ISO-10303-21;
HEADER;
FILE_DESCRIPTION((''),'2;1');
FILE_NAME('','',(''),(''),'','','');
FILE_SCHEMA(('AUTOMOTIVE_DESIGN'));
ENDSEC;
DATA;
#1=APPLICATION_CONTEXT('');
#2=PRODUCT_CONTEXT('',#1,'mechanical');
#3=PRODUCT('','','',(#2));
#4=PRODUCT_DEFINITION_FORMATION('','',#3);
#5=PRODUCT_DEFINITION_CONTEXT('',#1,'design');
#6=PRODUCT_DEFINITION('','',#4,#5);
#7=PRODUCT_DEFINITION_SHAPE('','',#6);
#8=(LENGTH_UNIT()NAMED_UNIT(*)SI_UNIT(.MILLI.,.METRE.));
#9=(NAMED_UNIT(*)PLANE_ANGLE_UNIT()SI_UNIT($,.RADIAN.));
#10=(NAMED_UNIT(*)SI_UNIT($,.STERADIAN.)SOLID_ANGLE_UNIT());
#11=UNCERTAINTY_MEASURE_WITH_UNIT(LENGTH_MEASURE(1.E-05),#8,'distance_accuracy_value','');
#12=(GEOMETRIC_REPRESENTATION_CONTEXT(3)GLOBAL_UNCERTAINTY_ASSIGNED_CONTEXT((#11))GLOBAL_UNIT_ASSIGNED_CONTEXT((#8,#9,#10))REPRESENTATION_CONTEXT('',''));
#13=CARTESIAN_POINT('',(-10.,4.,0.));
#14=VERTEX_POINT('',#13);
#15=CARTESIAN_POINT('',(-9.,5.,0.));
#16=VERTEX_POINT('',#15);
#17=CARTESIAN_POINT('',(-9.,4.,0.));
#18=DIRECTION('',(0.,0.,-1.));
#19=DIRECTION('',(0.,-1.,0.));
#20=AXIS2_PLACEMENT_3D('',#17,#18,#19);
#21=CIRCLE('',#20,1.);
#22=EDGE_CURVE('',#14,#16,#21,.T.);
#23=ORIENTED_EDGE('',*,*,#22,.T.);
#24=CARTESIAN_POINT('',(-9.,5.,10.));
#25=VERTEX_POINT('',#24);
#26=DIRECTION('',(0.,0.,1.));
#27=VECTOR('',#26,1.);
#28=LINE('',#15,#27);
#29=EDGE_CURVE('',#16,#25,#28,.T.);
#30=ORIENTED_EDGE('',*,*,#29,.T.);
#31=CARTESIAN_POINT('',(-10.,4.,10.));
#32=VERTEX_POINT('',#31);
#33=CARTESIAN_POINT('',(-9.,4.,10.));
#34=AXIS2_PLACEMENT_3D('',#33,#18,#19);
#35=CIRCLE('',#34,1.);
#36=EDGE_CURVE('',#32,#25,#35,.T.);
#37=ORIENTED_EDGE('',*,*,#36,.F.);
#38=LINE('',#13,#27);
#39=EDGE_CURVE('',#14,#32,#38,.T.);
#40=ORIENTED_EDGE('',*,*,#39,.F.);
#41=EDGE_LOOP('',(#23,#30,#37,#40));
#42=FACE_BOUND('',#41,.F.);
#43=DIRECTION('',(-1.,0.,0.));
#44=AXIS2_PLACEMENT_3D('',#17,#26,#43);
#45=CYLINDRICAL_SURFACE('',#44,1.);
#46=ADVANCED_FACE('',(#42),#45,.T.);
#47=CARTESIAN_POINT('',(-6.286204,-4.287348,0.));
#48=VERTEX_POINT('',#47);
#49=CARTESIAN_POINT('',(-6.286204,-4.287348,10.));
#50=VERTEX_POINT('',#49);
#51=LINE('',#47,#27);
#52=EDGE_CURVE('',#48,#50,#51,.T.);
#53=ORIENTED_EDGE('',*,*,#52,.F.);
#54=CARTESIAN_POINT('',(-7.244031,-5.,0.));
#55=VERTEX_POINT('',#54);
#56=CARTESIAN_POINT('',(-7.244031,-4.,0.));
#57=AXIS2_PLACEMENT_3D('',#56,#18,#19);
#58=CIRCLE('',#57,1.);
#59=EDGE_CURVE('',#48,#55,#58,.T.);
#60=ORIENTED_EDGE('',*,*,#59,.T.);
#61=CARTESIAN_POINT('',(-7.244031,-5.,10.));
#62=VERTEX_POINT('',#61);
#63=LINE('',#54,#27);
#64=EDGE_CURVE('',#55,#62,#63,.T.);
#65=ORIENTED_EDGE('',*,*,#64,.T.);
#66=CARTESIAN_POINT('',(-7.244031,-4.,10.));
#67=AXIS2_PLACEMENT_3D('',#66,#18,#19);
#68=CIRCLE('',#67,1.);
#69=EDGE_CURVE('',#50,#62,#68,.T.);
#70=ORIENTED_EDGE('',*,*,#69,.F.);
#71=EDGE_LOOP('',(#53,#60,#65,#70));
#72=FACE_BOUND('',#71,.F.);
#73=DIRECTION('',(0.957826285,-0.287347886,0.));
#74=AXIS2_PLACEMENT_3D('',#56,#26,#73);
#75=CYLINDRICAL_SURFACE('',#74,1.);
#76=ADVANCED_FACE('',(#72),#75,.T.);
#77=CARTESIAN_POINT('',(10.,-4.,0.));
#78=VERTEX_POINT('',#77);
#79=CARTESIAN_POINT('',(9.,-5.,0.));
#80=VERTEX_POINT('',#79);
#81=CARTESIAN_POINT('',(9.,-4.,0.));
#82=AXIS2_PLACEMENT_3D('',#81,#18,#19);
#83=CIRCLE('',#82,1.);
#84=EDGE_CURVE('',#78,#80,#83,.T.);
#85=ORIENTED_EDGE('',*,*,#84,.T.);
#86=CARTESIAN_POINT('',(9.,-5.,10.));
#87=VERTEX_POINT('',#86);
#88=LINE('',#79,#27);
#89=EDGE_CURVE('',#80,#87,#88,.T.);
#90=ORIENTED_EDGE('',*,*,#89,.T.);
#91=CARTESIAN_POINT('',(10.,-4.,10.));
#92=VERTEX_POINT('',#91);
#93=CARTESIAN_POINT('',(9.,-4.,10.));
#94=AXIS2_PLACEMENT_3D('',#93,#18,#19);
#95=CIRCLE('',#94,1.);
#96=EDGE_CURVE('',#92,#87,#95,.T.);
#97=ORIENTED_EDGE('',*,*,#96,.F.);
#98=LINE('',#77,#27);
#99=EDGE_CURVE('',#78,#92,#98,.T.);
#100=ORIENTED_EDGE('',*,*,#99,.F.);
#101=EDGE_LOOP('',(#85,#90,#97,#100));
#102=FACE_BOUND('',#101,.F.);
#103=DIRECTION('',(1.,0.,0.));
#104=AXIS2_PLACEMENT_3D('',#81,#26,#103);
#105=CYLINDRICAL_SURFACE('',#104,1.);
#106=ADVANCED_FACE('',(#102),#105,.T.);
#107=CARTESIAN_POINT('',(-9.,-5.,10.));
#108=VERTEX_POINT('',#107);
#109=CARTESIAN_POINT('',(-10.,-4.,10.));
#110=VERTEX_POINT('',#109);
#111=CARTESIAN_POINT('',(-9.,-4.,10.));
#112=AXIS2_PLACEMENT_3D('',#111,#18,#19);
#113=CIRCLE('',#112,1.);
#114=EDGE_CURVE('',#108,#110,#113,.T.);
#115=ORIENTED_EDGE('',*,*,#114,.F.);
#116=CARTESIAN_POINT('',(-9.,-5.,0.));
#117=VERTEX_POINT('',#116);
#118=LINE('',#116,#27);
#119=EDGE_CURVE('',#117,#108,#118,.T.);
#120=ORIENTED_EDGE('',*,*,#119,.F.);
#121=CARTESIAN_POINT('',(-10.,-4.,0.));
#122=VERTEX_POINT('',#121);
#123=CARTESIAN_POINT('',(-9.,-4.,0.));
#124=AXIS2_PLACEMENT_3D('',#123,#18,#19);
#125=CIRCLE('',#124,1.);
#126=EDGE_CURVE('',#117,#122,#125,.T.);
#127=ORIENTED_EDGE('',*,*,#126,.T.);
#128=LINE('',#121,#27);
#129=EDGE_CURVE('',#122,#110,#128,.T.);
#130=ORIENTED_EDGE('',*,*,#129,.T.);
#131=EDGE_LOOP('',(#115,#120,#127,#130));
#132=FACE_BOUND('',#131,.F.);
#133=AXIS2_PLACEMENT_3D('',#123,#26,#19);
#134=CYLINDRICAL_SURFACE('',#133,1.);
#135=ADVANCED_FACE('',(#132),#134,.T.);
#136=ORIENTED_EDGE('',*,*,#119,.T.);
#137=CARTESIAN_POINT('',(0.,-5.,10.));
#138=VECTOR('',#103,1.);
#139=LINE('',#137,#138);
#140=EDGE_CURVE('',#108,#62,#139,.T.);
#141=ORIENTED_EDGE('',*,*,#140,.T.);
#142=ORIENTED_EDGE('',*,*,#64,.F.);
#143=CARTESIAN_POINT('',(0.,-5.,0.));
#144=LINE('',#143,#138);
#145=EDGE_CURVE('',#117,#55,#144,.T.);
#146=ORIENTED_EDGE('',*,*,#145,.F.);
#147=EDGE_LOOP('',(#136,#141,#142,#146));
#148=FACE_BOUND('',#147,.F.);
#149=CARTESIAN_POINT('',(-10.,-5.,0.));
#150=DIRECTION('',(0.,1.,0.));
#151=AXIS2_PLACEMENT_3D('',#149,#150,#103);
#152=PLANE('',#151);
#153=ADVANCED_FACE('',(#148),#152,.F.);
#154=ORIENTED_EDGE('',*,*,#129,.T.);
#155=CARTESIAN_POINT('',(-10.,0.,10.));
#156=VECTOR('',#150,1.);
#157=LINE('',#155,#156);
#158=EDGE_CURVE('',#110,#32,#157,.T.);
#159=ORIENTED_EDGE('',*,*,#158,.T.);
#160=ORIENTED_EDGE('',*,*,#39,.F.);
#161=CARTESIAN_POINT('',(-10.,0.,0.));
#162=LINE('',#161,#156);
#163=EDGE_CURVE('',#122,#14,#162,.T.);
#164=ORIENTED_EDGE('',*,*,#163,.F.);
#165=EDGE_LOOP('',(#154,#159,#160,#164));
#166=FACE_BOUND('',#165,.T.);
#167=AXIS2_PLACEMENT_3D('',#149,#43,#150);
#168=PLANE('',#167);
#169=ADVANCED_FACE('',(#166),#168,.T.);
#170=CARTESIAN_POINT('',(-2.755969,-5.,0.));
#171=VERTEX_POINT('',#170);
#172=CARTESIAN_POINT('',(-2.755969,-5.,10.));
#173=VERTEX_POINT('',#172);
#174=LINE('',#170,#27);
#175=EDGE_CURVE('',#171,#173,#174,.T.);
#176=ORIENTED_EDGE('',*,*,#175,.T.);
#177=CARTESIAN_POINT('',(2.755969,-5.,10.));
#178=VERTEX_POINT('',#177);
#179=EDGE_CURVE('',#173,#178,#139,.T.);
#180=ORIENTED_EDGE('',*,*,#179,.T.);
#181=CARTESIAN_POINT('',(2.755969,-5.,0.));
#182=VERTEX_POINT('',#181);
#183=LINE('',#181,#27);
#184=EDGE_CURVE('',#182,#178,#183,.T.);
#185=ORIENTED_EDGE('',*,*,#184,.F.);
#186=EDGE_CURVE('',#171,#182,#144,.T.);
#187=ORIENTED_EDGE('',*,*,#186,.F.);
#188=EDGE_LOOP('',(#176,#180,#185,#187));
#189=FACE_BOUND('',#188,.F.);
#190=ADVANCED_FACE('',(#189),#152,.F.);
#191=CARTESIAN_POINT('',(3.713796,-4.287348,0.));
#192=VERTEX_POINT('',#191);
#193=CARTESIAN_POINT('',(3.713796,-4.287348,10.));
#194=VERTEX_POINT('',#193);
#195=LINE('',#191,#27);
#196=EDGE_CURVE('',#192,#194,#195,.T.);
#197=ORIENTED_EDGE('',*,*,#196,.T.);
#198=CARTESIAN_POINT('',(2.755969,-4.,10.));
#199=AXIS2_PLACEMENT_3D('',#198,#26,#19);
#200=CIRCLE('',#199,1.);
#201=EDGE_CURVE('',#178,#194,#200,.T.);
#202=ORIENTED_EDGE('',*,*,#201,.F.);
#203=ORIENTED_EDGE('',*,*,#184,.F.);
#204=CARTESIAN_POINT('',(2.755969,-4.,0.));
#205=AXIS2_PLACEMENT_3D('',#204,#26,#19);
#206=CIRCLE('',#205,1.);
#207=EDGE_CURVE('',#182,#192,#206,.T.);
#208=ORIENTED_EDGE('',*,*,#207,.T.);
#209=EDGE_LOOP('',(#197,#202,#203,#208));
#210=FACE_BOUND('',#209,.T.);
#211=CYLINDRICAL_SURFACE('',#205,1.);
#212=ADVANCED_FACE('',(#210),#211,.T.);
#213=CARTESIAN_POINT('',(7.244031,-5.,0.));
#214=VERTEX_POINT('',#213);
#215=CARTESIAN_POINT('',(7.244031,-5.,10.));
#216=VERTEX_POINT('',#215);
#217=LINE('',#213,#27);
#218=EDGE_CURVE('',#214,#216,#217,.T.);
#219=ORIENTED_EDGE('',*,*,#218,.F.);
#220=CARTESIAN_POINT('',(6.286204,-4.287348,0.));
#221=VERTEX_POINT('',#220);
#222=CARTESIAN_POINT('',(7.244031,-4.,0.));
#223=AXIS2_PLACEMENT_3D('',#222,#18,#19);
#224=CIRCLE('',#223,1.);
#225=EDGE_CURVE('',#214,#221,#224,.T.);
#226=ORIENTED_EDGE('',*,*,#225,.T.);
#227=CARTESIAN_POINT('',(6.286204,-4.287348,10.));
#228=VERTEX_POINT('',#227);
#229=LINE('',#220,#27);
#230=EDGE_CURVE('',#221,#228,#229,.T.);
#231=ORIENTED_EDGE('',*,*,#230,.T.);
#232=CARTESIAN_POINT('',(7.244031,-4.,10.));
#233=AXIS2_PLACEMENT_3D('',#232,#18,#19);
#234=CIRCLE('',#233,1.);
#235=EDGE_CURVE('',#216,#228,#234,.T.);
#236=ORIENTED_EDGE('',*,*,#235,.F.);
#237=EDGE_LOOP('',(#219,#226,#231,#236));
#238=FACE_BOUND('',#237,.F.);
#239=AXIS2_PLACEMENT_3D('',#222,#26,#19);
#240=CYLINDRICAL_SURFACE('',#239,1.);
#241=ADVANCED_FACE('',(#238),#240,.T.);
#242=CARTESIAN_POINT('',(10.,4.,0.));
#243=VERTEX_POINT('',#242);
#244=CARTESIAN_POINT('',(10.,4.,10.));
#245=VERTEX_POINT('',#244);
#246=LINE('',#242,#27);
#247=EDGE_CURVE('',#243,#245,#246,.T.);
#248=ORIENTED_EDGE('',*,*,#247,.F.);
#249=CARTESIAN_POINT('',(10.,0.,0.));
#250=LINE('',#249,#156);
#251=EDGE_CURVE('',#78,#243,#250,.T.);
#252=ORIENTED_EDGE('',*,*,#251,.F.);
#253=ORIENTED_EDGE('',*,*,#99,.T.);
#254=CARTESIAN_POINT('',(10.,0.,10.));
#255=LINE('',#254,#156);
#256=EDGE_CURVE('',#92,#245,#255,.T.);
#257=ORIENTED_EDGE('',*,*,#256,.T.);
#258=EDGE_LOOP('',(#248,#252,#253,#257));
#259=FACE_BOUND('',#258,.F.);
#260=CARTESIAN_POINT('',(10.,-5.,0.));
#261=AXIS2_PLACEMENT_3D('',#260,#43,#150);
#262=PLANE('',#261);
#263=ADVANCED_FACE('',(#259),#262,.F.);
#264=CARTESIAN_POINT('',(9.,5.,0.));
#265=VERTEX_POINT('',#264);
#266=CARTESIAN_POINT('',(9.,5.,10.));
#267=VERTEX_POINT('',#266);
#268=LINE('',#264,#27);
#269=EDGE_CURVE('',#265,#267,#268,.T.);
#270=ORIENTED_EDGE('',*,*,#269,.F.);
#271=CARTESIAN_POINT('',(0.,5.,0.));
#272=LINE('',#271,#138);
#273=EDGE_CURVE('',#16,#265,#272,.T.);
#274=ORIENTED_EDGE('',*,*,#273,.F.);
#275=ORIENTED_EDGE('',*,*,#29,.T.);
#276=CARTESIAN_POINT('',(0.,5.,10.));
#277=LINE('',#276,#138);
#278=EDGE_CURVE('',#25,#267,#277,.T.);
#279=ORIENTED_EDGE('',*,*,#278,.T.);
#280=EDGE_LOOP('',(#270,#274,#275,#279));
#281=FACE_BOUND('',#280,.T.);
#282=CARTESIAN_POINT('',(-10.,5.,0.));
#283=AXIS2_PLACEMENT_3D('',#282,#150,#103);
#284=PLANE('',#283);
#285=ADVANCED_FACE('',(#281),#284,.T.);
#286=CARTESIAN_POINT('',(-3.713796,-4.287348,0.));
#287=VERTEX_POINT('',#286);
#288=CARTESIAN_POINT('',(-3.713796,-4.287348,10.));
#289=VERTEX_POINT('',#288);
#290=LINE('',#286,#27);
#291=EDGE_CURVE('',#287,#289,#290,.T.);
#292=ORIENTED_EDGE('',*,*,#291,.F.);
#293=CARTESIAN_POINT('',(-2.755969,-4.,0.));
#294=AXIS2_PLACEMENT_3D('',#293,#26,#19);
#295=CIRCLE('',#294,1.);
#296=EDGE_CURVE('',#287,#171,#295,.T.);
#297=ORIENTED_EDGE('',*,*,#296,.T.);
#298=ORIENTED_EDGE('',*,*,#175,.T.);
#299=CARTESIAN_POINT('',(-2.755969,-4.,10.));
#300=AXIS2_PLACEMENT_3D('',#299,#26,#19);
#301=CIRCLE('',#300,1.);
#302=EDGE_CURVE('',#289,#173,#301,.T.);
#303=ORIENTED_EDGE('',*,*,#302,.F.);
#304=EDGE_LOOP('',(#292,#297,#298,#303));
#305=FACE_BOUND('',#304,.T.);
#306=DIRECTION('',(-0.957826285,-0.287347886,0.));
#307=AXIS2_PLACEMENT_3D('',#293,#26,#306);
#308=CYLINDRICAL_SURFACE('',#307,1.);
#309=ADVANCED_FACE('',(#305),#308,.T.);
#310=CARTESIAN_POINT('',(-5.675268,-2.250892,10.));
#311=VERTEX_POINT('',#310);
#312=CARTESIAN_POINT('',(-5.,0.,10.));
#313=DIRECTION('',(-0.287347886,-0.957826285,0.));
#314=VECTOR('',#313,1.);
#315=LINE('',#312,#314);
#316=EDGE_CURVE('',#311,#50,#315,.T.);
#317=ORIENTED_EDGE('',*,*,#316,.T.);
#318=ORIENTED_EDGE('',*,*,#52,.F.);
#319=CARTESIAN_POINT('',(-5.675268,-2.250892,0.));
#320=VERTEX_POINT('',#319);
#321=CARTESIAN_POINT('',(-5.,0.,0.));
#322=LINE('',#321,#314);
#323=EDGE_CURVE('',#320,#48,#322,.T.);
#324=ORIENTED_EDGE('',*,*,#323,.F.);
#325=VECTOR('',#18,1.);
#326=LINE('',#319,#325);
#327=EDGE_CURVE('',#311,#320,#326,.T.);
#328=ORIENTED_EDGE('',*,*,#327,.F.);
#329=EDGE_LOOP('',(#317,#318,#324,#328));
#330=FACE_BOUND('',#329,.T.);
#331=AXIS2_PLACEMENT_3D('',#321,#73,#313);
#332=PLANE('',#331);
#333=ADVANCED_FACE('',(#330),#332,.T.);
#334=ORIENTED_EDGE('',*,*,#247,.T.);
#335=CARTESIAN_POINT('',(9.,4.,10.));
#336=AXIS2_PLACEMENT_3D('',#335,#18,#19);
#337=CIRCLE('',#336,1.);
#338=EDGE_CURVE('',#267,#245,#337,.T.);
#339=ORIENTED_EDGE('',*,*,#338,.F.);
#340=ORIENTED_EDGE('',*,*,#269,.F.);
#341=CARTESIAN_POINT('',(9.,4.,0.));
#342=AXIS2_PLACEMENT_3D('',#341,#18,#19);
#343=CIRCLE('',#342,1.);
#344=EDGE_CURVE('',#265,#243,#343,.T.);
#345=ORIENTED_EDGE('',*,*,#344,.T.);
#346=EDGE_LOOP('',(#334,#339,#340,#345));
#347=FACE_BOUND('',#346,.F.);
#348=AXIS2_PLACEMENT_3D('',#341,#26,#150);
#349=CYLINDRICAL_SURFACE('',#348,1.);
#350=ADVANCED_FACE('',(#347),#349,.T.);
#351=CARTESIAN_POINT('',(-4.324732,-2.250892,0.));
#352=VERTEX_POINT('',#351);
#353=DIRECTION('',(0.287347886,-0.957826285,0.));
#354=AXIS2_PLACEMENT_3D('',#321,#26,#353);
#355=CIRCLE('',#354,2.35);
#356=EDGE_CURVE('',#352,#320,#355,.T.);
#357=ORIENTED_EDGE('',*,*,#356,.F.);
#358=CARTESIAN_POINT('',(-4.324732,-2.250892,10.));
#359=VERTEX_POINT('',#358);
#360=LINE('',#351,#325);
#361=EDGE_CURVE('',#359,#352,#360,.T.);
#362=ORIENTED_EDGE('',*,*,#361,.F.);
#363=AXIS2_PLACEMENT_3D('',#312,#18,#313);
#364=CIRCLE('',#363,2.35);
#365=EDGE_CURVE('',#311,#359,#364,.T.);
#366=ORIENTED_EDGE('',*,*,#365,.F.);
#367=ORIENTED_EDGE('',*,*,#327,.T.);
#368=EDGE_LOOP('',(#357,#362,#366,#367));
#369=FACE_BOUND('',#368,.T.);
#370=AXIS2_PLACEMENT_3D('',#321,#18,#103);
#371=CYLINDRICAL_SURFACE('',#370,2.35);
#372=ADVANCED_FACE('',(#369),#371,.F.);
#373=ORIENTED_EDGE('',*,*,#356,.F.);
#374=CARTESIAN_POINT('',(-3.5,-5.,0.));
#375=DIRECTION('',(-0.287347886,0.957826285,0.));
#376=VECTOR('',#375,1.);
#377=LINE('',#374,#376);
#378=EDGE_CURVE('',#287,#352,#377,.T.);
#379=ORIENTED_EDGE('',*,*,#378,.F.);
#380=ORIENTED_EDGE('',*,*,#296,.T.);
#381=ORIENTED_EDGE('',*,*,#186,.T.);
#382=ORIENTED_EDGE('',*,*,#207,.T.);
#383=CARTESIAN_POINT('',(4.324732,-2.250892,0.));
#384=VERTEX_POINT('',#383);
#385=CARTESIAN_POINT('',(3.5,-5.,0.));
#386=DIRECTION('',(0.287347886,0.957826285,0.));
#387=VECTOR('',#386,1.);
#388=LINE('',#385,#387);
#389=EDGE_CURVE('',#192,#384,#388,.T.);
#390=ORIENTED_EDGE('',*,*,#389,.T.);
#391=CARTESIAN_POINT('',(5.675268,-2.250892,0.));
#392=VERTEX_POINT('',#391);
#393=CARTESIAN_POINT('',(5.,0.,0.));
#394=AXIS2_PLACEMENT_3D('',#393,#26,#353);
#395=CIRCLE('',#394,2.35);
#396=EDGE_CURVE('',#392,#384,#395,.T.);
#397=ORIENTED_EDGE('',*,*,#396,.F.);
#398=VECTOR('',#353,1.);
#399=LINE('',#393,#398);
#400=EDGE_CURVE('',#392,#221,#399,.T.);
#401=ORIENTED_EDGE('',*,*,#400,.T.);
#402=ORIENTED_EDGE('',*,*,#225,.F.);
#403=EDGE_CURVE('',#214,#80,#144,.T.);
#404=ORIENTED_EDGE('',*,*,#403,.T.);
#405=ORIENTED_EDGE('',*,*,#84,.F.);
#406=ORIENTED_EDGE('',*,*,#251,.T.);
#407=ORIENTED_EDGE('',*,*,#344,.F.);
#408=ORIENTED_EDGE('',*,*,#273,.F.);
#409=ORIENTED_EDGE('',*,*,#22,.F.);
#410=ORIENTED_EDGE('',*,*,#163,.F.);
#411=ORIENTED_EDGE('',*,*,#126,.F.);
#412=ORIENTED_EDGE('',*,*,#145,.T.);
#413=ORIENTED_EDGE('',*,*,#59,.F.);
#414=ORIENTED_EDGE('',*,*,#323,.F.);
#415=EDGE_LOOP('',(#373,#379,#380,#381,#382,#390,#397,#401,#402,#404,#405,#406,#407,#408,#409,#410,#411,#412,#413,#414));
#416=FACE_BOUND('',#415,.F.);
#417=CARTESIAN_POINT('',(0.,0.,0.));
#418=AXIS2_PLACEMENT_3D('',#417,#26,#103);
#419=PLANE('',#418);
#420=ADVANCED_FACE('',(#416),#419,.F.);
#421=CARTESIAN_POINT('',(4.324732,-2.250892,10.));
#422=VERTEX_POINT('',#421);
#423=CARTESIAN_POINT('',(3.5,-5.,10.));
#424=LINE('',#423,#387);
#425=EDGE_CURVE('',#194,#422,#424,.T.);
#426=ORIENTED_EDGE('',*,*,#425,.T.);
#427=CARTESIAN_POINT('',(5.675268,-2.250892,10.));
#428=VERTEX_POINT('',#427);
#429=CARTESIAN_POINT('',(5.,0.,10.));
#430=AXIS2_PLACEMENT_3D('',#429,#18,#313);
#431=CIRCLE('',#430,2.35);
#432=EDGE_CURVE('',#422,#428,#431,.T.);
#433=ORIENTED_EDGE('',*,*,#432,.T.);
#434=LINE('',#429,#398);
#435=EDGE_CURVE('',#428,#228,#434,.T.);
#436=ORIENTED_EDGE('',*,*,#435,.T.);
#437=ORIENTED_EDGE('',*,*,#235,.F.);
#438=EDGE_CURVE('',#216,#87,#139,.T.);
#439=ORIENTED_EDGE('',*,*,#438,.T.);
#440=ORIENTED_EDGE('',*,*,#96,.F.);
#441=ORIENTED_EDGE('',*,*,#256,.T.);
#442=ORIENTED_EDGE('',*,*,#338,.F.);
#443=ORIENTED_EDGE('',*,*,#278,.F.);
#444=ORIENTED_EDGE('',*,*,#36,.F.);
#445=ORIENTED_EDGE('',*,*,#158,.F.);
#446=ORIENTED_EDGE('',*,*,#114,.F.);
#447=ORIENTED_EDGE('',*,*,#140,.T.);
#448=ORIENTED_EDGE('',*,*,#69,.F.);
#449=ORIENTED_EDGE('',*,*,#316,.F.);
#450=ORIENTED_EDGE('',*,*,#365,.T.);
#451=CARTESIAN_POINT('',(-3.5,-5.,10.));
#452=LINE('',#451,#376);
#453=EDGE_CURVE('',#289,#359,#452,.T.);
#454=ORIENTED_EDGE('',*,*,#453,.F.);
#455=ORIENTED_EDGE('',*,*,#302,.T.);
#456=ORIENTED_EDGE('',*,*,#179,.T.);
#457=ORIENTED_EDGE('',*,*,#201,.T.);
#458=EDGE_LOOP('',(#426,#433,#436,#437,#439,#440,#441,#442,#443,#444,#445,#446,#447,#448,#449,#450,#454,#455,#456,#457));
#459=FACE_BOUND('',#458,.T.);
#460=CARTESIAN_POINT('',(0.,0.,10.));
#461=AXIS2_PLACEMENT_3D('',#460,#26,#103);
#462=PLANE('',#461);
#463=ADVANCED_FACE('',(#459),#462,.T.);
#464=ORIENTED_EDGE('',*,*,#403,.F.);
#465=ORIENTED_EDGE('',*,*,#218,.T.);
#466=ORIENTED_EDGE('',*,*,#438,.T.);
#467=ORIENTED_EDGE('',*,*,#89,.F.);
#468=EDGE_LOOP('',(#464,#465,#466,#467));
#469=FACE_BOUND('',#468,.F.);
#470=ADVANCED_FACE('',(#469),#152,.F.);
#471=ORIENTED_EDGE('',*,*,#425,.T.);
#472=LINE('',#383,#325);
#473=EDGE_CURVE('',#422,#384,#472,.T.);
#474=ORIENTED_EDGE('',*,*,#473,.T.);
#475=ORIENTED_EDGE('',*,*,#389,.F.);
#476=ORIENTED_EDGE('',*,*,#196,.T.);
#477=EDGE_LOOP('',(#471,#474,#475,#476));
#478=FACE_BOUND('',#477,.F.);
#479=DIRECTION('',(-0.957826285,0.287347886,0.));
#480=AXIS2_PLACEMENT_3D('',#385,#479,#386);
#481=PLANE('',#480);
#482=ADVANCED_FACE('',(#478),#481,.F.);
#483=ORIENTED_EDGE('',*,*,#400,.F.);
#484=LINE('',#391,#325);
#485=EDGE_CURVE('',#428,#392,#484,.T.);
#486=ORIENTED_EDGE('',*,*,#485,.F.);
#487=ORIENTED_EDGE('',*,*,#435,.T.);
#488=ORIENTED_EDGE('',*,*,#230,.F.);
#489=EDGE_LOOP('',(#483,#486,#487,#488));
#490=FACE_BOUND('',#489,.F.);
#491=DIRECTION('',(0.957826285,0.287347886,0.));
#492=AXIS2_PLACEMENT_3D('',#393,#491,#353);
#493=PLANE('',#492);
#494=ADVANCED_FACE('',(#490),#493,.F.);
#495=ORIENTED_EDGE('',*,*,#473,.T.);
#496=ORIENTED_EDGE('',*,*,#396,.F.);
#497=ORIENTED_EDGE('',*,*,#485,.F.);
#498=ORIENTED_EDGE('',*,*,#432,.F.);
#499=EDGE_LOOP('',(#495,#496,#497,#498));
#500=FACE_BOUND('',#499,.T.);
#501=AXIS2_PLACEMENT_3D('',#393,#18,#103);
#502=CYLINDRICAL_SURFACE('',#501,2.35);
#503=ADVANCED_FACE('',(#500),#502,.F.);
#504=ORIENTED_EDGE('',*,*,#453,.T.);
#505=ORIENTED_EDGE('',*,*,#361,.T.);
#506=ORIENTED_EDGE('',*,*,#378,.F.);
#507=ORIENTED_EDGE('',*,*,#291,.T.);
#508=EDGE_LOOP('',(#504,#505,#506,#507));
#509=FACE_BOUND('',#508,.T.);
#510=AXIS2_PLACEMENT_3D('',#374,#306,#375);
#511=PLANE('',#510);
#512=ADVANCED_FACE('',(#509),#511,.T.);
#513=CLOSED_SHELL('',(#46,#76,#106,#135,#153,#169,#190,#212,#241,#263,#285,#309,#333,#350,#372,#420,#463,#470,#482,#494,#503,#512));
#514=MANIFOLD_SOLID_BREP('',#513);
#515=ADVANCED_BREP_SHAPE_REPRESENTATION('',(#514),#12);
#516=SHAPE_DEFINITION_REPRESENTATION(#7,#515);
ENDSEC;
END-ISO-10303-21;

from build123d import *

# Parameters (mm, degrees)
SKETCH_W        = 20
SKETCH_H        = 10
SKETCH_R        = 2.35
PAD_DEPTH       = 10
POCKET_DEPTH    = 10
POCKET001_DEPTH = 10
FILLET_R        = 1
FILLET001_R     = 1


with BuildPart() as part:
    # Sketch → Pad (new body)
    with BuildSketch(Plane.XY):
        Rectangle(SKETCH_W, SKETCH_H)
        with Locations((-5, 0)):
            Circle(SKETCH_R, mode=Mode.SUBTRACT)
        with Locations((5, 0)):
            Circle(SKETCH_R, mode=Mode.SUBTRACT)
    extrude(amount=PAD_DEPTH)

    # Sketch001 → Pocket (cut)
    with BuildSketch(Plane.XY):
        Polygon((-5, 0), (-6.5, -5), (-3.5, -5), align=None)
    extrude(amount=POCKET_DEPTH, mode=Mode.SUBTRACT)

    # MirroredSketch → Pocket001 (cut)
    with BuildSketch(Plane.XY):
        Polygon((5, 0), (6.5, -5), (3.5, -5), align=None)
    extrude(amount=POCKET001_DEPTH, mode=Mode.SUBTRACT)

    # Fillet
    fillet_edges = [part.edges().sort_by_distance(p)[0] for p in [
        (-6.5, -5, 5),
    ]]
    fillet(fillet_edges, radius=FILLET_R)

    # Fillet001
    fillet001_edges = [part.edges().sort_by_distance(p)[0] for p in [
        (-10, -5, 5),
        (-3.5, -5, 5),
        (3.5, -5, 5),
        (6.5, -5, 5),
        (10, -5, 5),
        (10, 5, 5),
        (-10, 5, 5),
    ]]
    fillet(fillet001_edges, radius=FILLET001_R)


solid = part.part
